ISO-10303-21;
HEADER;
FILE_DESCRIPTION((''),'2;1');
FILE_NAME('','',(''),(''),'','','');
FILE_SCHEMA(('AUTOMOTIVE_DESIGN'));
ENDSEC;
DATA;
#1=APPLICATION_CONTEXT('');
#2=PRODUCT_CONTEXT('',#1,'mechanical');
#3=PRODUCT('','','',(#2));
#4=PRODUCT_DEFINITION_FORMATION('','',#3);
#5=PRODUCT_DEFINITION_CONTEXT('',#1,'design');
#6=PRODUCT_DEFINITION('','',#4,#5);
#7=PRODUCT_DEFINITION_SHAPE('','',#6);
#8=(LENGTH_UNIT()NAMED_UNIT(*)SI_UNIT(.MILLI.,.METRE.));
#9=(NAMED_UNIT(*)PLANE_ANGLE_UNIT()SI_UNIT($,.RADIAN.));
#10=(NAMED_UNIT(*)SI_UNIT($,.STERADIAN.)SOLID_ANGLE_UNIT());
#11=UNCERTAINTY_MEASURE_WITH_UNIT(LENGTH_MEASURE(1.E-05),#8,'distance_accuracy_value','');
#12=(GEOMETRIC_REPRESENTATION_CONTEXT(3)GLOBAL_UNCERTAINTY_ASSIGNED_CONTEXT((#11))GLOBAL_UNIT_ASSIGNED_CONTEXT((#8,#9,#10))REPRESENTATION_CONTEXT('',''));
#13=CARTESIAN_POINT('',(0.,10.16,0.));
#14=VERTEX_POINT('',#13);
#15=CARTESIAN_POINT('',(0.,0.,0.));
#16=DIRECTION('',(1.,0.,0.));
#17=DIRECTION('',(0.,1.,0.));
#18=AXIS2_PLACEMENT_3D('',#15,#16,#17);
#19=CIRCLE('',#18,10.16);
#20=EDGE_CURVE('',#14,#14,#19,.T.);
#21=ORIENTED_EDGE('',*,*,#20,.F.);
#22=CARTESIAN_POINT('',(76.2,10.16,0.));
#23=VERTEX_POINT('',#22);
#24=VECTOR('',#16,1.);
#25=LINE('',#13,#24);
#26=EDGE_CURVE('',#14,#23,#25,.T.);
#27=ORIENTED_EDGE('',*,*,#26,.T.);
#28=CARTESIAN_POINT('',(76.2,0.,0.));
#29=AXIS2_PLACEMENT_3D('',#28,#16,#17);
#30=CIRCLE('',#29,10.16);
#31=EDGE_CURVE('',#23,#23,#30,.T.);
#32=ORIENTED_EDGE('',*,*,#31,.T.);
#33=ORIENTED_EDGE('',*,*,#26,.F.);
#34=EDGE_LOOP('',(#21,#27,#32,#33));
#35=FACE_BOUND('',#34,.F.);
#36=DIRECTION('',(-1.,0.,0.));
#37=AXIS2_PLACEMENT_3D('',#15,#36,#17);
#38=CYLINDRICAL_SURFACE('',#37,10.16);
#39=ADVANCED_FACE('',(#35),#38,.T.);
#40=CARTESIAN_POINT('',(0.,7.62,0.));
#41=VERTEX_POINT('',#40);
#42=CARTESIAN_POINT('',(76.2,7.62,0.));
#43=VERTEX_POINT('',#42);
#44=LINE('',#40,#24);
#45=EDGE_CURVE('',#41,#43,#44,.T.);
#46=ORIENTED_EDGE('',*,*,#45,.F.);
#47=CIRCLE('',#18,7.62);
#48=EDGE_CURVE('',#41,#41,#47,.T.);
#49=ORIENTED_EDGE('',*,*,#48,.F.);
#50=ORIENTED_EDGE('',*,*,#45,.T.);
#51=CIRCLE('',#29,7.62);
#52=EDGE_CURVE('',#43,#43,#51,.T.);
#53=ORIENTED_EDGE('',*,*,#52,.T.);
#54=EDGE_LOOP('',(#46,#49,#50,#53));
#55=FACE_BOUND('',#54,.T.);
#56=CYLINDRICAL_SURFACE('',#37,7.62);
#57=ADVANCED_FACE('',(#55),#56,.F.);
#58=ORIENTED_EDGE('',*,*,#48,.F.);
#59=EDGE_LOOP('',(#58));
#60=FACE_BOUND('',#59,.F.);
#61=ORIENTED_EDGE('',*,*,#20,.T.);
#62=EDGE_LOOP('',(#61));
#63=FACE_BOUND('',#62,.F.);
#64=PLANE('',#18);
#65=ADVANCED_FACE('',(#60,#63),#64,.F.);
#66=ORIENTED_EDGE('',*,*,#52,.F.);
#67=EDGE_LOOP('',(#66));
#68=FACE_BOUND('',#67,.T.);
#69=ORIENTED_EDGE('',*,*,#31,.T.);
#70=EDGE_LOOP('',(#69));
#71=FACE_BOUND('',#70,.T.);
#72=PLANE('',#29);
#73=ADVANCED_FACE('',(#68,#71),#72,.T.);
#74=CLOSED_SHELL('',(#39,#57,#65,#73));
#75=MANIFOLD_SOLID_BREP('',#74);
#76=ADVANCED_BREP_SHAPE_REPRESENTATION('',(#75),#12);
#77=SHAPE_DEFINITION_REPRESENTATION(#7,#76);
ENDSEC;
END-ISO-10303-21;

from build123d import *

# Parameters (mm, degrees)
F0_R     = 10.16
F1_DEPTH = 76.2
F2_R     = 7.62
F3_DEPTH = 76.2


with BuildPart() as f1:
    # F0 (on Right) → F1 (new body)
    with BuildSketch(Plane.YZ):
        Circle(F0_R)
    extrude(amount=F1_DEPTH)

    # F2 (on Right) → F3 (cut)
    with BuildSketch(Plane.YZ):
        Circle(F2_R)
    extrude(amount=F3_DEPTH, mode=Mode.SUBTRACT)


solid = f1.part
